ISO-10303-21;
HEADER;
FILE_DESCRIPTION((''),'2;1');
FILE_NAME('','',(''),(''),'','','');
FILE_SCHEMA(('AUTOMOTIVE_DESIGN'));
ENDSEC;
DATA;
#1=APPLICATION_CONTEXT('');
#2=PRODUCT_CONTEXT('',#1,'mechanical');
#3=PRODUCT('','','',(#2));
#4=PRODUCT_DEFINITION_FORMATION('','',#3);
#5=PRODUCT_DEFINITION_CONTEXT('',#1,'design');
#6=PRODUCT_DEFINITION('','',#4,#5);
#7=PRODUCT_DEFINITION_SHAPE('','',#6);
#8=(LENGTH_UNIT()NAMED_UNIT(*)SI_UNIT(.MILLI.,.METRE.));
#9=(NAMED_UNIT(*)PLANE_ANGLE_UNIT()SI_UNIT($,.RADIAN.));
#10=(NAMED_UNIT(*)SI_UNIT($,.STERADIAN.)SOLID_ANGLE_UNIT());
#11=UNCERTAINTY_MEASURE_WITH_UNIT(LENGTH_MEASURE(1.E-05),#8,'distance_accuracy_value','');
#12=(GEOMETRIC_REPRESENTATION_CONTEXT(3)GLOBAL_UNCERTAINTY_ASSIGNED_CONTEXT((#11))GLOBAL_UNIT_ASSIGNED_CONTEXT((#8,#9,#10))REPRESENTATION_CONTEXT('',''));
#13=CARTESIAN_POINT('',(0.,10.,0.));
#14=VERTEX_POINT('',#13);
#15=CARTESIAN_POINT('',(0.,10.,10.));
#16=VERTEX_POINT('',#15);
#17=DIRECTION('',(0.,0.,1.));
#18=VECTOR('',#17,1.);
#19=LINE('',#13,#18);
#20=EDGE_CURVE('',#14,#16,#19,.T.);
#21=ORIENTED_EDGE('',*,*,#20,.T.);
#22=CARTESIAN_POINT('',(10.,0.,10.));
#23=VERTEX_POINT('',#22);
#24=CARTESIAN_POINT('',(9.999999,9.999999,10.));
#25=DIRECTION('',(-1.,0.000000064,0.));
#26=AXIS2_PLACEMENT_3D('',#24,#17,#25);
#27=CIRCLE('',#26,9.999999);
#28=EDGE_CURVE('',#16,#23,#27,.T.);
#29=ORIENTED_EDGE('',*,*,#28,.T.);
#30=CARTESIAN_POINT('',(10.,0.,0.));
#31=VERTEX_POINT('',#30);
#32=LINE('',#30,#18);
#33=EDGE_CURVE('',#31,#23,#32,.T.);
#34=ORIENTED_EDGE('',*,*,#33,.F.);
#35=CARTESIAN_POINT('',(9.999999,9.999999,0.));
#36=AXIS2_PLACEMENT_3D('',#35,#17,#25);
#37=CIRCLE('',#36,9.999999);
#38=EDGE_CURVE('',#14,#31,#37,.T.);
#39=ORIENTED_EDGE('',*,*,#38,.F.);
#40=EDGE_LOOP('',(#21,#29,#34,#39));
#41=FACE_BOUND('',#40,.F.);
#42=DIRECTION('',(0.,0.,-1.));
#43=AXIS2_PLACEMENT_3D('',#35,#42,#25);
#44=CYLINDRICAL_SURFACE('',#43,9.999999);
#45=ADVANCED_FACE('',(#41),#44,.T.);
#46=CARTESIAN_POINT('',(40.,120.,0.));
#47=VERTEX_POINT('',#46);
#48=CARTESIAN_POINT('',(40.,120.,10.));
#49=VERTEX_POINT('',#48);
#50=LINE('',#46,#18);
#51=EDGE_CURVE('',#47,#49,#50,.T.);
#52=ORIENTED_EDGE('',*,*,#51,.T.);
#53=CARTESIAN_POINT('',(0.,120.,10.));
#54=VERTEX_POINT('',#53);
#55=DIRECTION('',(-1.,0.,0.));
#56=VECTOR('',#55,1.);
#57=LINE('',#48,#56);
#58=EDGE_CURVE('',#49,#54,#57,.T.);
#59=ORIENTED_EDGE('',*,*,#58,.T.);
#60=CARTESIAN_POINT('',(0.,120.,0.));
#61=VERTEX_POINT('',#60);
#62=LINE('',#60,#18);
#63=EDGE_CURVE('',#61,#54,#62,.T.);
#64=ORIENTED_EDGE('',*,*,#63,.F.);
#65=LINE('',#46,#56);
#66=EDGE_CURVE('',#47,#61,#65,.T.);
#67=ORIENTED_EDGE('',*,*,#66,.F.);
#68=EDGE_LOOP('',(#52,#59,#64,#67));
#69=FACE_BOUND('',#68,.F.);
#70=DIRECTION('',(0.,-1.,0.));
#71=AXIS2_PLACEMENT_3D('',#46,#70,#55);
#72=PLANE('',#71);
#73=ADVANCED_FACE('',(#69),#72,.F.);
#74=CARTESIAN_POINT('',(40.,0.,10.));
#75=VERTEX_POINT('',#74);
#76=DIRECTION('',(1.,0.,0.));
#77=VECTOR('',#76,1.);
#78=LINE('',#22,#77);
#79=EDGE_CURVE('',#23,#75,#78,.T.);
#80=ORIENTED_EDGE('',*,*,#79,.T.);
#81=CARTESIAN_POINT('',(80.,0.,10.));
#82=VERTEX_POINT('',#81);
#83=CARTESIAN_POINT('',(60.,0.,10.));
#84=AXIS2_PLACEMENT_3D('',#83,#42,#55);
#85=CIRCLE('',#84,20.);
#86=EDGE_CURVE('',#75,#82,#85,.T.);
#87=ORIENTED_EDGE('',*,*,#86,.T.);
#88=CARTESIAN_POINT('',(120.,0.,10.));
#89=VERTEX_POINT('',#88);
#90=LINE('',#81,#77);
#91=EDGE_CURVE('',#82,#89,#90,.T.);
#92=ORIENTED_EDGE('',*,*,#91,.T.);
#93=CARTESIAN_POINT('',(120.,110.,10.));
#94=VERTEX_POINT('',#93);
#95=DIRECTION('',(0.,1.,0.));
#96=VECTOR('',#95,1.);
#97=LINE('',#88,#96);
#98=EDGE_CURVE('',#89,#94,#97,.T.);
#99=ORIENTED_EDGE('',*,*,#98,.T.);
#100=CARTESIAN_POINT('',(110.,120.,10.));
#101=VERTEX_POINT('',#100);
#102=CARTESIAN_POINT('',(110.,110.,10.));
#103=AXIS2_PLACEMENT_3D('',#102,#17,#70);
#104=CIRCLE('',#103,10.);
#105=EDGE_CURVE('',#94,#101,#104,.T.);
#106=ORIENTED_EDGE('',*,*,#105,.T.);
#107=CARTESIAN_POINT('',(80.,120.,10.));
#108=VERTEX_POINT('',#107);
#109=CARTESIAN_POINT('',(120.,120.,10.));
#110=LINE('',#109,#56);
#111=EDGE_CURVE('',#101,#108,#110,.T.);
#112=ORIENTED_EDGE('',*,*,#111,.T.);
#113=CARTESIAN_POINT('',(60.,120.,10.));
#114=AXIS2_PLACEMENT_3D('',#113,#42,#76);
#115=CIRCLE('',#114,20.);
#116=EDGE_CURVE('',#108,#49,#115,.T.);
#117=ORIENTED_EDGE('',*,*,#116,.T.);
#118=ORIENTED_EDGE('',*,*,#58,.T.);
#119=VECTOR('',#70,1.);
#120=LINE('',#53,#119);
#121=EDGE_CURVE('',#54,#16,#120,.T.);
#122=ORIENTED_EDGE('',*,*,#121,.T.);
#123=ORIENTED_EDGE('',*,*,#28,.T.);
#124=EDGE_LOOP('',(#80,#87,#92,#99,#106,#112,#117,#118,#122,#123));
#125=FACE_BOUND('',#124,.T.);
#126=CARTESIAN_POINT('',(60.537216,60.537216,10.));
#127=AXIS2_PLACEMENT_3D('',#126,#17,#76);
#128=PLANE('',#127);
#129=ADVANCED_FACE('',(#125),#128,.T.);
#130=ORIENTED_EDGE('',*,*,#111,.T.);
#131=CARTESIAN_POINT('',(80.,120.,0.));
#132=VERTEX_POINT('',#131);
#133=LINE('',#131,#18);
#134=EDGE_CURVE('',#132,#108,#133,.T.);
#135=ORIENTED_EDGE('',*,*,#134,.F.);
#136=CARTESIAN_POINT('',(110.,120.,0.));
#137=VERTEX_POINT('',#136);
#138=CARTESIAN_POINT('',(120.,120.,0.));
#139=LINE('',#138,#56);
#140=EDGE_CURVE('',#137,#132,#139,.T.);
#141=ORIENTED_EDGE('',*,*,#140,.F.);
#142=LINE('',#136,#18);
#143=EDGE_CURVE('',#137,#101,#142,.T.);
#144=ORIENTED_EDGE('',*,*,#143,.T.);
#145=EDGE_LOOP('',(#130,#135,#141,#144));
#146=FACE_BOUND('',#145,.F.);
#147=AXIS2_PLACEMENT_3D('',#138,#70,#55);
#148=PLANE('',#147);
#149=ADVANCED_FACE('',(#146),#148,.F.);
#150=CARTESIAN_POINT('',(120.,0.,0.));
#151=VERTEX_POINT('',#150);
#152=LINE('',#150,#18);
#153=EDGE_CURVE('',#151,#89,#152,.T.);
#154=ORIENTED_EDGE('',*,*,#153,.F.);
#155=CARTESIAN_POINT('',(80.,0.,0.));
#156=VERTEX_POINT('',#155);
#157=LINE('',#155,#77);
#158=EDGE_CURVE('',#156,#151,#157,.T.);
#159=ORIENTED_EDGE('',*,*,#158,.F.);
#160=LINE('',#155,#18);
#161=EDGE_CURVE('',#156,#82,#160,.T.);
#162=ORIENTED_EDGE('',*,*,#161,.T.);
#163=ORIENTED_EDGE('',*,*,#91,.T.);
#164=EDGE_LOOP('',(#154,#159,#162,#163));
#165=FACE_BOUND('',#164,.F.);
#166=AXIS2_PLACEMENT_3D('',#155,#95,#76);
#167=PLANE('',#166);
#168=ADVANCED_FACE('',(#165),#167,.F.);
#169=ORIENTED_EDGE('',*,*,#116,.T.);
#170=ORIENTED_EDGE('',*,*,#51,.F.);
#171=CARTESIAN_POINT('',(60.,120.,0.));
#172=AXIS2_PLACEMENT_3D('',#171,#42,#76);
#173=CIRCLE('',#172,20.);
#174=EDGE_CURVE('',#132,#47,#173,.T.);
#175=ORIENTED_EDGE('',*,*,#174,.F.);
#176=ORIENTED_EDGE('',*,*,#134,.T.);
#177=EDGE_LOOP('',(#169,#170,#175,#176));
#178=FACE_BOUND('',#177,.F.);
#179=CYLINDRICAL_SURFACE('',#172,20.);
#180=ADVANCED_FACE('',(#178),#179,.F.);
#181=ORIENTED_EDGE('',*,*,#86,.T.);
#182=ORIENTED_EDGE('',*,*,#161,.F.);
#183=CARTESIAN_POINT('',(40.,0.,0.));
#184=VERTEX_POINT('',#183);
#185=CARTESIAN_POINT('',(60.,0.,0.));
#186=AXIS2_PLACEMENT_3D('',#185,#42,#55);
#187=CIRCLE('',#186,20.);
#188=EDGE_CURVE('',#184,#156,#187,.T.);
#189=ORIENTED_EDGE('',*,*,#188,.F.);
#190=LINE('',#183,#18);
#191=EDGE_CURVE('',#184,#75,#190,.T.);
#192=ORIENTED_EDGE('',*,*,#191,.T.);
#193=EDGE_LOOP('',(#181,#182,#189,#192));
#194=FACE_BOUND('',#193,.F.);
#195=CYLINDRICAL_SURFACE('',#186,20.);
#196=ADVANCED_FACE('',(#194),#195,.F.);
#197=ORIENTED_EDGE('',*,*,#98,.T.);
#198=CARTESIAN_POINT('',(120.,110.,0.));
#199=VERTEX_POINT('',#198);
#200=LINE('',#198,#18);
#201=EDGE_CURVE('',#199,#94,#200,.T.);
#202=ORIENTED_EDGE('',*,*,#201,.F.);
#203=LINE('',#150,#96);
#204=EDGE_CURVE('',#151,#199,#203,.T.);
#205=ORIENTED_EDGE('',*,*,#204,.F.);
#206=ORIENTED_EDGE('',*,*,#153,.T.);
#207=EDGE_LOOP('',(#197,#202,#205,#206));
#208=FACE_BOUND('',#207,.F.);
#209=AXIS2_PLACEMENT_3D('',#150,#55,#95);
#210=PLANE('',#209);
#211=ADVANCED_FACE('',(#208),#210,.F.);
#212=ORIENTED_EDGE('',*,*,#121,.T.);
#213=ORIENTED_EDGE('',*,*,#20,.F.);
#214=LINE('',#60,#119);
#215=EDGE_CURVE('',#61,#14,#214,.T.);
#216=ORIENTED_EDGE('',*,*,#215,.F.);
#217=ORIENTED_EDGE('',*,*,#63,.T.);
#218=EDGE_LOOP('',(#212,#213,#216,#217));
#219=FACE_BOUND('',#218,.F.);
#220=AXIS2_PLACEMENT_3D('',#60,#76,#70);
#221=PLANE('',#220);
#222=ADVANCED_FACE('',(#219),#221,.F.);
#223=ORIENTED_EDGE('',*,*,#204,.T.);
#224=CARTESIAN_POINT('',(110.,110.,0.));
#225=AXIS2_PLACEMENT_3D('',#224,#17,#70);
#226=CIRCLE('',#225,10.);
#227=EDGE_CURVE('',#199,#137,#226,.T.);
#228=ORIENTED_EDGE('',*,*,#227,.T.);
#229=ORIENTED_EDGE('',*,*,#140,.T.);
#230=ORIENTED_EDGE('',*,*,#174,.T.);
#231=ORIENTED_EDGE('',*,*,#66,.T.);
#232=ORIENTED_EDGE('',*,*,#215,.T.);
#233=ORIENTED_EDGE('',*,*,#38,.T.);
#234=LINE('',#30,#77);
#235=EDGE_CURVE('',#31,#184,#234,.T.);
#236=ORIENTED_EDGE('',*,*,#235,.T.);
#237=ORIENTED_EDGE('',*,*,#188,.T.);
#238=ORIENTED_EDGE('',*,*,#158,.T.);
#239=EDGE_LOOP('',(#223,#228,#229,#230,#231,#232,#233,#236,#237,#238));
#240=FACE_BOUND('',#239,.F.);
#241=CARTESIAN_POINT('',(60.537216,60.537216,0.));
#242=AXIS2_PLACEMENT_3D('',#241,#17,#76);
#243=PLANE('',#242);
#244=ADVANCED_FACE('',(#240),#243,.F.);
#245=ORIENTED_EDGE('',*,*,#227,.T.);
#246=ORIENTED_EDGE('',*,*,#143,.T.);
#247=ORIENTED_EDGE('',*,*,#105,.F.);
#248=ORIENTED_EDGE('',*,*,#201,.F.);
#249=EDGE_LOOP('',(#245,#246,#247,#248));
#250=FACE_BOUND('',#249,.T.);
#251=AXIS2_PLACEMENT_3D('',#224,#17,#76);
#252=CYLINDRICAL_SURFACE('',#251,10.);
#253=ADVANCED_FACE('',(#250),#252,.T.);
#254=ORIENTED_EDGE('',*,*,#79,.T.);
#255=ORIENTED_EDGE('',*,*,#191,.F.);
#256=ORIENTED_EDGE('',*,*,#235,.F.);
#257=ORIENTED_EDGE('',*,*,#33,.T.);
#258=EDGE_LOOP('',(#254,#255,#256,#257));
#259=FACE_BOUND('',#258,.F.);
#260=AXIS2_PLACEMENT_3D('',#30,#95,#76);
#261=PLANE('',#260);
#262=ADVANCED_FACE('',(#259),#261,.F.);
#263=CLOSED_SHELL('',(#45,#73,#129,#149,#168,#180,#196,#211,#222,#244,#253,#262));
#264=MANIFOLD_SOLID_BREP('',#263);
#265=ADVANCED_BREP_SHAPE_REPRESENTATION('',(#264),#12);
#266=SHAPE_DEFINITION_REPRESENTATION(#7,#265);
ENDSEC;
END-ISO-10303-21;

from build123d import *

# Parameters (mm, degrees)
F1_DEPTH = 10
F2_R     = 10


with BuildPart() as f1:
    # F0 (on Top) → F1 (new body)
    with BuildSketch(Plane.XY):
        with BuildLine():
            ThreePointArc((0, 10), (2.928932, 2.928932), (10, 0))
            Line((10, 0), (40, 0))
            ThreePointArc((40, 0), (60, 20), (80, 0))
            Line((80, 0), (120, 0))
            Line((120, 0), (120, 120))
            Line((120, 120), (80, 120))
            ThreePointArc((80, 120), (60, 100), (40, 120))
            Line((40, 120), (0, 120))
            Line((0, 120), (0, 10))
        make_face()
    extrude(amount=F1_DEPTH)

    # F2
    f2_edges = [f1.edges().sort_by_distance(p)[0] for p in [
        (120, 120, 5),
    ]]
    fillet(f2_edges, radius=F2_R)


solid = f1.part
